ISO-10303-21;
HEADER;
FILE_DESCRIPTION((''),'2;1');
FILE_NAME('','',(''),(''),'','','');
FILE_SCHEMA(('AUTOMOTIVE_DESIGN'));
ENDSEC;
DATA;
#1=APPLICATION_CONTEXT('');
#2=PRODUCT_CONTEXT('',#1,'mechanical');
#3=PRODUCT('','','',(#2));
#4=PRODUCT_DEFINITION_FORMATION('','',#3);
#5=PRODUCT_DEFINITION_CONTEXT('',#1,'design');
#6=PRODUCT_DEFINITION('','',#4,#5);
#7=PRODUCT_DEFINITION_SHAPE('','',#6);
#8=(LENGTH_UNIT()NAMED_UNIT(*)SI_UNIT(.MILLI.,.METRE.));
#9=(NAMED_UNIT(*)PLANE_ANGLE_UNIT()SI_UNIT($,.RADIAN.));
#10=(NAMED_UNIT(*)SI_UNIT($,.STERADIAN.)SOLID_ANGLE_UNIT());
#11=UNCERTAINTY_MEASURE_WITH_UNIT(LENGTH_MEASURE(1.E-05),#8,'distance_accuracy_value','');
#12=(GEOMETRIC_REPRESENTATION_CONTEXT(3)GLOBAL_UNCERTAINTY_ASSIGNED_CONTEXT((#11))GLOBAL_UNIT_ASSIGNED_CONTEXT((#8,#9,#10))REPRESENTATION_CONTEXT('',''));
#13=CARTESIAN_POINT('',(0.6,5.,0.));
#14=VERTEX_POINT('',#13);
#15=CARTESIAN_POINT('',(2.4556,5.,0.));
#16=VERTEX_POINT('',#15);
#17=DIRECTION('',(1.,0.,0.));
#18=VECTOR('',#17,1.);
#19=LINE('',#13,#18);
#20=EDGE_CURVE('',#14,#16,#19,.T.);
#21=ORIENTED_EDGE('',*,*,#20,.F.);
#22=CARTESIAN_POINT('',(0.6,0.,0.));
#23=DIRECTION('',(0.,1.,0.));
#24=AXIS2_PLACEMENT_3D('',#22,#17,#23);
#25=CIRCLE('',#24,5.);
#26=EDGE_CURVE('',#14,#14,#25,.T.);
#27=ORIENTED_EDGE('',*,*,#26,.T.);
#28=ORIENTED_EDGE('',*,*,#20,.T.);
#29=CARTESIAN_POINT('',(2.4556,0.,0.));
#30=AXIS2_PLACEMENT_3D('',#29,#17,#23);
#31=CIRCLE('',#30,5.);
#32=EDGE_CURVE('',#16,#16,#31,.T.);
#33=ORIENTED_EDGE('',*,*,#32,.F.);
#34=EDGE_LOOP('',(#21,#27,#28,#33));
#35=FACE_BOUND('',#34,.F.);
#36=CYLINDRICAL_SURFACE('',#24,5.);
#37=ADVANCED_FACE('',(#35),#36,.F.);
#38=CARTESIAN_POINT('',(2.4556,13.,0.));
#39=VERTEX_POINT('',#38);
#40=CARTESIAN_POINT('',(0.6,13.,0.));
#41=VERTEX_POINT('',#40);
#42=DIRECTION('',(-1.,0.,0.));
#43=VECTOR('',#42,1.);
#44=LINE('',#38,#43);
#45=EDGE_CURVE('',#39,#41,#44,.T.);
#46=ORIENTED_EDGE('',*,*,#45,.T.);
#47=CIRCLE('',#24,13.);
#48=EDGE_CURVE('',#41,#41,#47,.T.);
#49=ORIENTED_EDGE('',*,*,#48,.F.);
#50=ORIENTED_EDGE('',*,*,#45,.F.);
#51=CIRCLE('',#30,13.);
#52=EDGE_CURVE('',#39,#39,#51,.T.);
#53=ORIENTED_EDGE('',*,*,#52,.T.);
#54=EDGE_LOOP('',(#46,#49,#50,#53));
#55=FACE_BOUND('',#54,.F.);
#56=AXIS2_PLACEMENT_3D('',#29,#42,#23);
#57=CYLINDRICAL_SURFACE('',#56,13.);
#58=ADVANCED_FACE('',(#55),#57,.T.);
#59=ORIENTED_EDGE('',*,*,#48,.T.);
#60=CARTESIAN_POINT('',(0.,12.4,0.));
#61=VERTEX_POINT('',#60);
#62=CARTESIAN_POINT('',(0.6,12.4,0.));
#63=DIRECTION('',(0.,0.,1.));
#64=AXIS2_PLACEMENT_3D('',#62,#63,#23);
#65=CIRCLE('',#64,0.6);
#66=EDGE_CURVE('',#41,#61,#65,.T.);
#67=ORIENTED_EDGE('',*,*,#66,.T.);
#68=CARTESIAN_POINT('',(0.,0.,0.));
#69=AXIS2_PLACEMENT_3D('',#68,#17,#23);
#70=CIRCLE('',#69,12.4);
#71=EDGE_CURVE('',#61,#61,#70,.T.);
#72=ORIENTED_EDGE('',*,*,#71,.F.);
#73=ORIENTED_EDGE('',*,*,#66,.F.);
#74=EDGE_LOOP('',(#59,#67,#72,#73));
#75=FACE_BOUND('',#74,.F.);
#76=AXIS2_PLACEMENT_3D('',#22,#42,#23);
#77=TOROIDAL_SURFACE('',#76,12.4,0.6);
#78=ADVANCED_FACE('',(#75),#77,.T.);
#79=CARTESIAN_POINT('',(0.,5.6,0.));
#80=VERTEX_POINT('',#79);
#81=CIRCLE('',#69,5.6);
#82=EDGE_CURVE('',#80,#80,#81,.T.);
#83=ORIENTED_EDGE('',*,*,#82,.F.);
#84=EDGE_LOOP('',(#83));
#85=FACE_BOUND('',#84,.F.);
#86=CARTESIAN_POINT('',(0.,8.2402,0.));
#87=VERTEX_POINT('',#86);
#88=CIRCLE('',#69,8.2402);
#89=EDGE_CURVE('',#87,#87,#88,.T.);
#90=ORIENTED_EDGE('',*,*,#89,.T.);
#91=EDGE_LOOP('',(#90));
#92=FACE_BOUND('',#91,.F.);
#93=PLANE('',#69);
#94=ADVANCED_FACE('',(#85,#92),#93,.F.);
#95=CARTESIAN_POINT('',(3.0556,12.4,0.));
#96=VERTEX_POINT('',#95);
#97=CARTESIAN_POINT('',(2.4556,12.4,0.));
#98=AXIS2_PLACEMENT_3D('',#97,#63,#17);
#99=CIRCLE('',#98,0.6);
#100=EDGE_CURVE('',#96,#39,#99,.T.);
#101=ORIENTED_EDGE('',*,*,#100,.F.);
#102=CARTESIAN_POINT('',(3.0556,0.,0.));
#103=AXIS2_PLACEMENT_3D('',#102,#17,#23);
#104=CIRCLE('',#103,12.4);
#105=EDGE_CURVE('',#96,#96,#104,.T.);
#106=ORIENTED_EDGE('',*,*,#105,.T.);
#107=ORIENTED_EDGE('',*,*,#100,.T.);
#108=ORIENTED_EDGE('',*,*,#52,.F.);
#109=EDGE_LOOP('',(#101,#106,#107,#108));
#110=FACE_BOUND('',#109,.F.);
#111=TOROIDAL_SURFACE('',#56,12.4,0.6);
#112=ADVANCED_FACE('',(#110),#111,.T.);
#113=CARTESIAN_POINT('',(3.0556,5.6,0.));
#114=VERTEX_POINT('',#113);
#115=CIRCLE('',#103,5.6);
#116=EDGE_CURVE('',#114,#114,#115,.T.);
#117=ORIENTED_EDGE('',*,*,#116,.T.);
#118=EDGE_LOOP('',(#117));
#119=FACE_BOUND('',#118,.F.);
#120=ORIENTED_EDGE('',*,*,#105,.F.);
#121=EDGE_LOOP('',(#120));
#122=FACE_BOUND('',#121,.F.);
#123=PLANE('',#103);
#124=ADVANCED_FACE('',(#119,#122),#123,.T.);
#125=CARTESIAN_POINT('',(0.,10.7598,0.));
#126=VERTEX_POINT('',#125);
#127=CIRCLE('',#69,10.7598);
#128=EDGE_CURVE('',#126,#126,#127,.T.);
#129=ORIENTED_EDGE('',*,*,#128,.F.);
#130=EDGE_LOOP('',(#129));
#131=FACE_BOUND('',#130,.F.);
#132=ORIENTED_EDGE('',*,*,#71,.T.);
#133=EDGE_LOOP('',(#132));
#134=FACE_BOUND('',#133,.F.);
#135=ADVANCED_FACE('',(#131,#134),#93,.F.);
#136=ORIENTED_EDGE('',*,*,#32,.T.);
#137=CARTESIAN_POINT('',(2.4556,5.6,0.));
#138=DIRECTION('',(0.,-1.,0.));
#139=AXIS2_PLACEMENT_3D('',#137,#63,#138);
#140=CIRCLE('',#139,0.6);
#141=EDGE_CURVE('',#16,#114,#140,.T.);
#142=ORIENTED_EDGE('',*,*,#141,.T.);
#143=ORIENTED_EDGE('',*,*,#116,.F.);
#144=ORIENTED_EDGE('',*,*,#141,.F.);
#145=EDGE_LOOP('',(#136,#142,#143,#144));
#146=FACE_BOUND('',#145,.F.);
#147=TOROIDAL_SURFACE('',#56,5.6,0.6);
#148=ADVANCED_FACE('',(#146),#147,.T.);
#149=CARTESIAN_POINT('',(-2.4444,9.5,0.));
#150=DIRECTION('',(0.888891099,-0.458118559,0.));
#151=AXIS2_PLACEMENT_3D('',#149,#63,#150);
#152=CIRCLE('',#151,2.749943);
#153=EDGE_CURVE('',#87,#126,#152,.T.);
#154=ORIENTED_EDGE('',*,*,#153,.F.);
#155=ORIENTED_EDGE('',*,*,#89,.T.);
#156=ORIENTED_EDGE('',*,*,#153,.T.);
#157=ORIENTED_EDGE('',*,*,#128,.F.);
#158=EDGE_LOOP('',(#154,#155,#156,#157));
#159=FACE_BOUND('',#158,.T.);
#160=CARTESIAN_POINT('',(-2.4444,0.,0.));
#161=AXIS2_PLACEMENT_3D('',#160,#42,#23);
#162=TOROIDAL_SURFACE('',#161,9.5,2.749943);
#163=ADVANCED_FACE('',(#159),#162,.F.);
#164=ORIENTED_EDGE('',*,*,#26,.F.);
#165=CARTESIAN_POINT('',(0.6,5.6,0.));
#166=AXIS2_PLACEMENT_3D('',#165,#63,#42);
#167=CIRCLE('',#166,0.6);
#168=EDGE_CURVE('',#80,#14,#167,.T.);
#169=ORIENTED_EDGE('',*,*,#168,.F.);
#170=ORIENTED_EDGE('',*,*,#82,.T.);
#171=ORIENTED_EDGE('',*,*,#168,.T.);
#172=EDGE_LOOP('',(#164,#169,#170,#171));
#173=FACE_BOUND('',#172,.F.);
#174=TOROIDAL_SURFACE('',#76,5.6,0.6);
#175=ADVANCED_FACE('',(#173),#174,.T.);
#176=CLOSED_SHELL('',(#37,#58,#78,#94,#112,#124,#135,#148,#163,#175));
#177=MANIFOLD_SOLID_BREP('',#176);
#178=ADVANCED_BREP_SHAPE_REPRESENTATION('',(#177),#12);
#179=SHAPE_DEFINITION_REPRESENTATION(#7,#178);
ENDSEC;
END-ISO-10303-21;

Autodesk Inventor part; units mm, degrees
sketch "Sketch_1" plane through (0, 0, 0) normal (0, 0, 1) x (1, 0, 0)
  line L0 (3.0556, 0) -> (0, 0)
  arc A0 (0, 8.2402) -> (0, 10.7598) centre (-2.4444, 9.5) ccw
  line L1 (0, 8.2402) -> (0, 5.6)
  arc A1 (0, 5.6) -> (0.6, 5) centre (0.6, 5.6) ccw
  line L2 (0.6, 5) -> (2.4556, 5)
  arc A2 (2.4556, 5) -> (3.0556, 5.6) centre (2.4556, 5.6) ccw
  line L3 (3.0556, 5.6) -> (3.0556, 12.4)
  arc A3 (3.0556, 12.4) -> (2.4556, 13) centre (2.4556, 12.4) ccw
  line L4 (2.4556, 13) -> (0.6, 13)
  arc A4 (0.6, 13) -> (0, 12.4) centre (0.6, 12.4) ccw
  line L5 (0, 12.4) -> (0, 10.7598)
revolve "Revolution1" add sketch "Sketch_1" angle 360 about axis through (3.0556, 0, 0) along (1, 0, 0)
ref_plane "SW_HW_XY" through (-7.9444, 0, 0) normal (1, 0, 0) x (0, 0, -1)
ref_plane "SW_HW_YZ" through (-7.9444, 0, 0) normal (0, 0, -1) x (0, 1, 0)
ref_plane "SW_HW_ZX" through (-7.9444, 0, 0) normal (0, 1, 0) x (1, 0, 0)
properties part number "51200 Shaft washer"
